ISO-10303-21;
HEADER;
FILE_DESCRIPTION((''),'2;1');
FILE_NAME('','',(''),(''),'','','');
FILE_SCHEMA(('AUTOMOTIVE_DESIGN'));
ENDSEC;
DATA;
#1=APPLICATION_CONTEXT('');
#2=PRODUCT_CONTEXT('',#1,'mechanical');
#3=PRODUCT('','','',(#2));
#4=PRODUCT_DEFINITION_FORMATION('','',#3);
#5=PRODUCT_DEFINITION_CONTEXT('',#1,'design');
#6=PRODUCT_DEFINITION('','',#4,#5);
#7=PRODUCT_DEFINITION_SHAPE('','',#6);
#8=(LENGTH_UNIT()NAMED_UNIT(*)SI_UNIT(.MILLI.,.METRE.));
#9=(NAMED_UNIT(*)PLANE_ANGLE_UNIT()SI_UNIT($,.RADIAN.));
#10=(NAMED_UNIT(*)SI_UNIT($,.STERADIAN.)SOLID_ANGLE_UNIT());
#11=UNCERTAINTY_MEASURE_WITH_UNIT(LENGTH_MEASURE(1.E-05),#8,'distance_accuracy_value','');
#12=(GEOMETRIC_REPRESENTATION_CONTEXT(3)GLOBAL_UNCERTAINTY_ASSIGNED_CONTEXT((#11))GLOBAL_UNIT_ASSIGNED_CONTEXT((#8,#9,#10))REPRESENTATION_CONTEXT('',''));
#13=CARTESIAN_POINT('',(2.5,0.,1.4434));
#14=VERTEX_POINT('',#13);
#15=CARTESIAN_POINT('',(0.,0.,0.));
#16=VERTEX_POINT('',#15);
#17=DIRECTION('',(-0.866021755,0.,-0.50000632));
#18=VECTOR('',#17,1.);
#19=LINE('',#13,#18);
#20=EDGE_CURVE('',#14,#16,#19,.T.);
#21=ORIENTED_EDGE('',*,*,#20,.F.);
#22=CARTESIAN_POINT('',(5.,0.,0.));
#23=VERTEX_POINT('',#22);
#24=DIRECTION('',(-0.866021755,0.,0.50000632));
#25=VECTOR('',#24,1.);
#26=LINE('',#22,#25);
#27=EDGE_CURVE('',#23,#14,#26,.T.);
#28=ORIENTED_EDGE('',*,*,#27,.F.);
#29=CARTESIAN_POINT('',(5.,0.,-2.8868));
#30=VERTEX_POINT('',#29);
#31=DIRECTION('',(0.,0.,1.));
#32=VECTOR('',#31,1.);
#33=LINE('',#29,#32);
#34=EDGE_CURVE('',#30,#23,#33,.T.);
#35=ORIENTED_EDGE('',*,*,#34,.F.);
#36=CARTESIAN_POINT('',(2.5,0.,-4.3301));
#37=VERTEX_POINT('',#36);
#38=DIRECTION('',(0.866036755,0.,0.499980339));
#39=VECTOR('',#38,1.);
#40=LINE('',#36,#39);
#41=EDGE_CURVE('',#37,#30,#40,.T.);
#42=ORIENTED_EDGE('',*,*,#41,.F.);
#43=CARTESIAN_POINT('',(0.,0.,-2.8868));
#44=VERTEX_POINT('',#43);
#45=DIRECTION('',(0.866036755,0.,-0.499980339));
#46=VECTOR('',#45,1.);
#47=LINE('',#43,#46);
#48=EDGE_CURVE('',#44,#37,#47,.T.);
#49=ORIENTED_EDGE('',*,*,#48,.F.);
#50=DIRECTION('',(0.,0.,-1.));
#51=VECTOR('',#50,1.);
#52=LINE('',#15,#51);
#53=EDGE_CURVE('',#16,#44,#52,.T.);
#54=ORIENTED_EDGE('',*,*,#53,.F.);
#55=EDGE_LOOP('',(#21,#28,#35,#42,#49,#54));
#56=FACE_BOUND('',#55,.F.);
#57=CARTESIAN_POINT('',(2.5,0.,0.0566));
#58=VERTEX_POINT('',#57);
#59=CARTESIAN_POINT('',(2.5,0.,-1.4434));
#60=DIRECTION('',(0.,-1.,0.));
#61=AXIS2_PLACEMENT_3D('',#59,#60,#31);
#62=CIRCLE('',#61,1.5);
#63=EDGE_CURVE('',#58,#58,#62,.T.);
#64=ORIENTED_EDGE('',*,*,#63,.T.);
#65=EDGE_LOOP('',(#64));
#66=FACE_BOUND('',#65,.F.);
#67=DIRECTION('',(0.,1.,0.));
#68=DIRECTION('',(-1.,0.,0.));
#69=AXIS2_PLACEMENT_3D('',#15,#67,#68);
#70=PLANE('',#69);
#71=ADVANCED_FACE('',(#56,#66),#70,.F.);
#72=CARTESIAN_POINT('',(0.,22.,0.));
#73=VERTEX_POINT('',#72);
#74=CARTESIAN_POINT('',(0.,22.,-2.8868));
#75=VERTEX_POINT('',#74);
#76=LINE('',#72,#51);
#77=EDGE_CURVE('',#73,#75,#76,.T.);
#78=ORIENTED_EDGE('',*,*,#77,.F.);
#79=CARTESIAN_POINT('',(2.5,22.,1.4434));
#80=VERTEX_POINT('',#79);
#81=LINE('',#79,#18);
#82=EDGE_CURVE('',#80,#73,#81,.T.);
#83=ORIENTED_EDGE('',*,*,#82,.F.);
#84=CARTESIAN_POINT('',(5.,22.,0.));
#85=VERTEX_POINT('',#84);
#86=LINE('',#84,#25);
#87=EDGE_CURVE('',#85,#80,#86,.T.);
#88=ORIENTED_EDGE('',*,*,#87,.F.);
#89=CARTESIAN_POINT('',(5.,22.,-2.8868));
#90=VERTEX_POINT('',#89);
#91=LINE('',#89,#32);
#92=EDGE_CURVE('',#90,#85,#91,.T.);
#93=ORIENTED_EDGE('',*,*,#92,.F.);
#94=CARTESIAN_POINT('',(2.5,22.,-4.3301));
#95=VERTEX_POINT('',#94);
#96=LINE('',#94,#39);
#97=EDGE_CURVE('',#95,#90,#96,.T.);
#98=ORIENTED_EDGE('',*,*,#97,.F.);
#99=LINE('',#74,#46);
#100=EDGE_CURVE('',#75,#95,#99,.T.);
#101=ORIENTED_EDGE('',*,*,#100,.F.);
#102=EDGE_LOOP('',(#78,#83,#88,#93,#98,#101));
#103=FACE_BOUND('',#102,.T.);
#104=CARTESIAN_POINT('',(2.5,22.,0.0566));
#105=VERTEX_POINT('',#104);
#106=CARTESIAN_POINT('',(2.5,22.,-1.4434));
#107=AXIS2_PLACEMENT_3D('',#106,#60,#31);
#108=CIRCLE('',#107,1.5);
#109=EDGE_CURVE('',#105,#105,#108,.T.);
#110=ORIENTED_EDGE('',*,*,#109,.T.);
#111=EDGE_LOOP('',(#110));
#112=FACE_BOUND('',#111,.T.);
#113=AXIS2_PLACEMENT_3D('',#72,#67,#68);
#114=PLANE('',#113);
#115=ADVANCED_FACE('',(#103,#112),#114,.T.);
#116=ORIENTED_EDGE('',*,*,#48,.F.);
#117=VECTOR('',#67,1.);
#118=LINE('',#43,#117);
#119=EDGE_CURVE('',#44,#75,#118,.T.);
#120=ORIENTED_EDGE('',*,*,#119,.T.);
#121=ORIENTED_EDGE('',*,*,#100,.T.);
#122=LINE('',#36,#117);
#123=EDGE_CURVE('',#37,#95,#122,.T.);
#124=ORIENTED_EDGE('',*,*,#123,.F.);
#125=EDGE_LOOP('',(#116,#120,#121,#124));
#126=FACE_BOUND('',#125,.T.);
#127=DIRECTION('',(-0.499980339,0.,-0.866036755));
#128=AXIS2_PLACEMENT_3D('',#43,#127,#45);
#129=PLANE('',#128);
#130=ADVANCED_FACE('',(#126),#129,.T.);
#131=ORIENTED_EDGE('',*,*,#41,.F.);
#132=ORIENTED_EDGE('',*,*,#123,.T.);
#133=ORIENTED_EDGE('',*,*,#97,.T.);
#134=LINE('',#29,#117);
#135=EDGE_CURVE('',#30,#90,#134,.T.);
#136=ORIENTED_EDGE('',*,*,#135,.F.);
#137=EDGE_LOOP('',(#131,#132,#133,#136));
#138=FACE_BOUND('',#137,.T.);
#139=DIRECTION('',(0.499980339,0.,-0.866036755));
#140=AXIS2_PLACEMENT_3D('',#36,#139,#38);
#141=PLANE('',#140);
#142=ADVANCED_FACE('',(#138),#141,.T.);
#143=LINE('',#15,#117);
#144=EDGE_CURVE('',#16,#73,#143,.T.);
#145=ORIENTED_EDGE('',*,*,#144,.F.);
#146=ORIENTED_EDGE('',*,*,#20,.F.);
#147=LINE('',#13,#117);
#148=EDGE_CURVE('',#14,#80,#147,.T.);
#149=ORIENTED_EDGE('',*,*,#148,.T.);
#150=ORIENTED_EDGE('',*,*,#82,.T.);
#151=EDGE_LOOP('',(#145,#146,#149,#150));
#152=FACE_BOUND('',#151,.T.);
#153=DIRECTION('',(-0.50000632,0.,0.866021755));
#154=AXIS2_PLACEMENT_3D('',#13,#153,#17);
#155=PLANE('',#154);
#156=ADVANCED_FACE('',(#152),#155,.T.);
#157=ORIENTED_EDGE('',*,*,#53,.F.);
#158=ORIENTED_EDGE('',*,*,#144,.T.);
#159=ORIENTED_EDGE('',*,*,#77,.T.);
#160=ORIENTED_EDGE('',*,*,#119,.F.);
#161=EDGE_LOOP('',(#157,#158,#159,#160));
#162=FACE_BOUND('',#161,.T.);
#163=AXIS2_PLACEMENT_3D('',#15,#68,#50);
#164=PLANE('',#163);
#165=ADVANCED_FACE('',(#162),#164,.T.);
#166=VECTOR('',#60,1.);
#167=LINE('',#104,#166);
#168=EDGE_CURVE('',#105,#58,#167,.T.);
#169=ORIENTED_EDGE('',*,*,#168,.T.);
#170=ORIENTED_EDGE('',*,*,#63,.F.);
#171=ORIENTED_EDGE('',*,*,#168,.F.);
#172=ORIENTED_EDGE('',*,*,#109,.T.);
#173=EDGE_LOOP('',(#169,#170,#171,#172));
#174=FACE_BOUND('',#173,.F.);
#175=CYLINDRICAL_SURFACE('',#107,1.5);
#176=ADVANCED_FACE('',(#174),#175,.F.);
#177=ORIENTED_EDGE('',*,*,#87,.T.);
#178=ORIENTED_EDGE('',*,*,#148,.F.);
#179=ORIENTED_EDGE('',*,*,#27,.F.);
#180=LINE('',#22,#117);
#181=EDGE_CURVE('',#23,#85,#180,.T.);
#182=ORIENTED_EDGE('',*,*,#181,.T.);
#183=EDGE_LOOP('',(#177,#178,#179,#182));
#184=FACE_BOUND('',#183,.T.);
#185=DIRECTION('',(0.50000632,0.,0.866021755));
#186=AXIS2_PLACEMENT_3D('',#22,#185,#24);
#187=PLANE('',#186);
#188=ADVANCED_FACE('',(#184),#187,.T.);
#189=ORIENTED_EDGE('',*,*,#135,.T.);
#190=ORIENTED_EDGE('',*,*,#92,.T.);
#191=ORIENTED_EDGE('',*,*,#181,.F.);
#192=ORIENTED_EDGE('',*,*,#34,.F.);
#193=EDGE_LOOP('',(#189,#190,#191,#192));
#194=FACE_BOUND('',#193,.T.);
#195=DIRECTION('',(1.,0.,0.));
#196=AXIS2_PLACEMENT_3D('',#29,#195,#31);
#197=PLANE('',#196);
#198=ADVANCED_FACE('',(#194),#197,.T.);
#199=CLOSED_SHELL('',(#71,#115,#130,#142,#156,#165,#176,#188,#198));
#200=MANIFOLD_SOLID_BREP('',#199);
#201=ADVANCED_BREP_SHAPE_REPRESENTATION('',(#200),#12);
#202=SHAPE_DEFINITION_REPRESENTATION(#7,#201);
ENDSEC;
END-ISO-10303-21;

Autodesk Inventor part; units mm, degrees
ref_plane "YZ Plane" through (0, 0, 0) normal (1, 0, 0) x (0, 1, 0)
ref_plane "XY Plane" through (0, 0, 0) normal (0, 0, 1) x (1, 0, 0)
sketch "Skizze1" plane through (0, 0, 0) normal (0, 1, 0) x (-1, 0, 0)
  line L0 (0, 0) -> (0, -2.8868)
  line L1 (0, -2.8868) -> (-2.5, -4.3301)
  line L2 (-2.5, -4.3301) -> (-5, -2.8868)
  line L3 (-5, -2.8868) -> (-5, 0)
  line L4 (-5, 0) -> (-2.5, 1.4434)
  line L5 (-2.5, 1.4434) -> (0, 0)
  dimension "d2" = 120
  dimension "d4" = 120
  dimension "d6" = 120
  dimension "d8" = 120
  dimension "d11" = 5
  dimension "d12" = 5
  dimension "d13" = 5
extrude "Extrusion1" add sketch "Skizze1" along normal blind 22
sketch "Skizze2" plane through (0, 22, 0) normal (0, 1, 0) x (1, 0, 0)
  line L0 (0, 2.8868) -> (0, 0) projected
  line L1 (5, 0) -> (5, 2.8868) projected
  line L2 (0, 0) -> (5, 2.8868) construction
  line L3 (0, 2.8868) -> (5, 0) construction
  point P0 (2.5, 1.4434)
hole "Bohrung1" at (2.5, 22, -1.4434) direction (0, -1, 0) diameter 3 end through all
thread "Gewinde1" size "M3x0.5" class "6H" standard "ANSI Metric M Profile" full length
properties part number "abstandshalter_22mm"
